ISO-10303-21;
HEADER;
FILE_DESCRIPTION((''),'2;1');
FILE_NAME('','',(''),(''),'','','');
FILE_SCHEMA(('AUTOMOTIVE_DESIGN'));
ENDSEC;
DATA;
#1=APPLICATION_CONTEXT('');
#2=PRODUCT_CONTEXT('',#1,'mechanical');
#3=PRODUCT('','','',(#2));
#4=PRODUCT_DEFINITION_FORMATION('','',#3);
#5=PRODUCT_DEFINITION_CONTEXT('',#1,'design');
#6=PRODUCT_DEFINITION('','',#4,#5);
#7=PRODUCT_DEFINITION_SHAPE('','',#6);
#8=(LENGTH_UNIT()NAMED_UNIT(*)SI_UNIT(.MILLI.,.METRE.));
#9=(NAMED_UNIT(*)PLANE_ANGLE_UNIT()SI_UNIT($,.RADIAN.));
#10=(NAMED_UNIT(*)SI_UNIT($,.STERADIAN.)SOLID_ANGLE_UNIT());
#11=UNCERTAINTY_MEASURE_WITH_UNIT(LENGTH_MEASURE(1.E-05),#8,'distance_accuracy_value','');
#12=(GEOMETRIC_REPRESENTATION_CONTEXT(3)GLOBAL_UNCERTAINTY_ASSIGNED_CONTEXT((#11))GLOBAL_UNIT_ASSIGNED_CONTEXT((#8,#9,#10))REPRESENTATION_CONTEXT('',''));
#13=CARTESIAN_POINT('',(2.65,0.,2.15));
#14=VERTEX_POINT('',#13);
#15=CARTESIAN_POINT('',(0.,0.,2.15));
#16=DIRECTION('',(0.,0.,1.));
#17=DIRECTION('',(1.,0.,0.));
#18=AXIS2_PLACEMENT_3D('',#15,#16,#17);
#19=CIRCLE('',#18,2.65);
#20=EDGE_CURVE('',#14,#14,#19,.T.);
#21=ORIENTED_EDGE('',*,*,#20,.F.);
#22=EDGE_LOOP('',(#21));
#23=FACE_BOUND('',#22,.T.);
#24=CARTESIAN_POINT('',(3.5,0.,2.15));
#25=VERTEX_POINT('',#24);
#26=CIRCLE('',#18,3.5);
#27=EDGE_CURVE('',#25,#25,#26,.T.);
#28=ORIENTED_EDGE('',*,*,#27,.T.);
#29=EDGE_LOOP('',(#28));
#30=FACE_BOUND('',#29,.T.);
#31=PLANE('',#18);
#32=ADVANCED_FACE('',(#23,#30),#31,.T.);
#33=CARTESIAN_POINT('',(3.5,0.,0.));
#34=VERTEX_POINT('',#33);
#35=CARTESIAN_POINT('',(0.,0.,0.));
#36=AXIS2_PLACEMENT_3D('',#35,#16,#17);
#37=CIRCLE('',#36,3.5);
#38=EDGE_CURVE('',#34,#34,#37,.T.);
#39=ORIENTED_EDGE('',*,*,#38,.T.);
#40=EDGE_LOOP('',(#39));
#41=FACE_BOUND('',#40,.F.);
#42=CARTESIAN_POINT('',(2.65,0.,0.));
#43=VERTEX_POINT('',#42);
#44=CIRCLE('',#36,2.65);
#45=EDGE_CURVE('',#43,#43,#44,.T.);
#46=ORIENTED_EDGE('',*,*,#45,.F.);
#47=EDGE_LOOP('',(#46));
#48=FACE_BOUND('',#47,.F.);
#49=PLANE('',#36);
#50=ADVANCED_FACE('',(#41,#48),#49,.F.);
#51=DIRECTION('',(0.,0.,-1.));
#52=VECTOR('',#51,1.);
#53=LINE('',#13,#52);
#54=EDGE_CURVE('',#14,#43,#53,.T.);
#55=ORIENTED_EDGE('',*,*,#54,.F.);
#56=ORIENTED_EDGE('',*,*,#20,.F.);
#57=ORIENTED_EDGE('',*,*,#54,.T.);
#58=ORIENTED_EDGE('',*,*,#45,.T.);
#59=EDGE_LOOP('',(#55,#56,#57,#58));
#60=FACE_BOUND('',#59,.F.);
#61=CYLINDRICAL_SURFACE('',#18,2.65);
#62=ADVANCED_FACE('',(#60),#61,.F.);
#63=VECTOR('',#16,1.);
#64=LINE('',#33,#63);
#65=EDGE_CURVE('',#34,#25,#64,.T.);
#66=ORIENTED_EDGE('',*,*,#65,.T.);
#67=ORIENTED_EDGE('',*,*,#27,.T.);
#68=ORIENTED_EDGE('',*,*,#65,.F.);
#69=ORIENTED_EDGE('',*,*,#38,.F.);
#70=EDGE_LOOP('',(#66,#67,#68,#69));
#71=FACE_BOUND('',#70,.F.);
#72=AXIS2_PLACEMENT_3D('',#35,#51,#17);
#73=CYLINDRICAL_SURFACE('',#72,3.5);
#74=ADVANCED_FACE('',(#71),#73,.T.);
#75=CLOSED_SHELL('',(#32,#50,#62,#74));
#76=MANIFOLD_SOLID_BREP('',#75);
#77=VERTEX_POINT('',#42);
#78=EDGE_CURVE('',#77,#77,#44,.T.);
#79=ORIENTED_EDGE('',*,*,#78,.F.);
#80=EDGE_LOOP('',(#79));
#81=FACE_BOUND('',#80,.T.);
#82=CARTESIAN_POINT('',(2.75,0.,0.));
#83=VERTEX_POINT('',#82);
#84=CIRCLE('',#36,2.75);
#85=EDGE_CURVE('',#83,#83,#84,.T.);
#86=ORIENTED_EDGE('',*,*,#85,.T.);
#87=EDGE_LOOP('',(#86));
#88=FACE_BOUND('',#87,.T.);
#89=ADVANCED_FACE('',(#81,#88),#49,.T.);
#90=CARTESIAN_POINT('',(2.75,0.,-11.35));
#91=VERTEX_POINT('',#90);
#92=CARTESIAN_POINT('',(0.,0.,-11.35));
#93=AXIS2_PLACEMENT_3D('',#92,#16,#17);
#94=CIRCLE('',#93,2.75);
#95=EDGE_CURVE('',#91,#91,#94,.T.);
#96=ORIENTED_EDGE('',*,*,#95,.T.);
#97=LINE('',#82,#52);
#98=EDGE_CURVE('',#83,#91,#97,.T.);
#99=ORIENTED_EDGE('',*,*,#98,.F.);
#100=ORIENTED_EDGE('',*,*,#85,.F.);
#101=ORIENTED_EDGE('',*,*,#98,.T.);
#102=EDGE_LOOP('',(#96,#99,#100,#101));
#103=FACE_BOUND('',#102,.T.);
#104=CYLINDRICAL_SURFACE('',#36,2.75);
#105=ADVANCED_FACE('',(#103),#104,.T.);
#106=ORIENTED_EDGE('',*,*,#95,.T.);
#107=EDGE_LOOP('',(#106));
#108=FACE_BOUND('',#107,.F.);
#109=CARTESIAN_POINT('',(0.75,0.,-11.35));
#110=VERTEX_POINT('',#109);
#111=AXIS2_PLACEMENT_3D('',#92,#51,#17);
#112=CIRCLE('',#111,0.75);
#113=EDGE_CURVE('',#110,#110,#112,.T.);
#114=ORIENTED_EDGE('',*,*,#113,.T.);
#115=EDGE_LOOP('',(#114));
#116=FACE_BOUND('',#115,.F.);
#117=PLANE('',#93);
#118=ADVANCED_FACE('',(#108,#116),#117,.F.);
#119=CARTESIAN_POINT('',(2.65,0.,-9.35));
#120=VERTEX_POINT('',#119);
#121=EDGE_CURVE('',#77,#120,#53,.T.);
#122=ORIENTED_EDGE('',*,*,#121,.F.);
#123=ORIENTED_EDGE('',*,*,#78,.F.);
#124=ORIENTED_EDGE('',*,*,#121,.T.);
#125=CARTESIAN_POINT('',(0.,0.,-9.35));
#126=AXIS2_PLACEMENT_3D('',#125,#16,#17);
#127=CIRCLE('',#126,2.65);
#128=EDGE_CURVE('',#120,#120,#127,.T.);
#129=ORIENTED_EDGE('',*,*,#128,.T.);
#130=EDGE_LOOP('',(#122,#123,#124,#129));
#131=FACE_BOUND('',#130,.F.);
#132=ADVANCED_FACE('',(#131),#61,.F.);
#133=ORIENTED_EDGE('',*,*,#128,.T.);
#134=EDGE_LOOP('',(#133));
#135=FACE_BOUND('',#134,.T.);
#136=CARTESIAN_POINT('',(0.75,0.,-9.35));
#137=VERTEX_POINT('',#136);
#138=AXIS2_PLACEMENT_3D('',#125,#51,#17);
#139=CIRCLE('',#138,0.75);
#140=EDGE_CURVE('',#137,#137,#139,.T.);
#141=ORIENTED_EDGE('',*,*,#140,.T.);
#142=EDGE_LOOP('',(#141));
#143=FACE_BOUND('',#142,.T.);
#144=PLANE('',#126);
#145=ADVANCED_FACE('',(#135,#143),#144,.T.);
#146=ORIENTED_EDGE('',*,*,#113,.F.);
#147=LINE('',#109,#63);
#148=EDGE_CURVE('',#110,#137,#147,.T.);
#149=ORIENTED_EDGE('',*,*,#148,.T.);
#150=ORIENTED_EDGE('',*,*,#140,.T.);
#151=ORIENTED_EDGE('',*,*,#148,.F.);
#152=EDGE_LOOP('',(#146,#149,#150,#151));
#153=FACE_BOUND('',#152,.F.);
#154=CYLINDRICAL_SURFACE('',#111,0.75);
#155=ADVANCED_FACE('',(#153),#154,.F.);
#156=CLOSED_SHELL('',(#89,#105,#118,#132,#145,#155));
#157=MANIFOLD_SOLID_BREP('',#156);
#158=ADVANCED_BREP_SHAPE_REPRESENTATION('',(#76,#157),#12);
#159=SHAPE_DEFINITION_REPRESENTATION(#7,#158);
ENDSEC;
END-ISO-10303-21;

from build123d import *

# Parameters (mm, degrees)
F0_R     = 2.75
F1_DEPTH = 11.35
F2_R     = 3.5
F3_DEPTH = 2.15
F4_R     = 2.65
F5_DEPTH = 11.5
F6_R     = 0.75
F7_DEPTH = 13.501


with BuildPart() as f1:
    # F0 (on Top) → F1 (new body)
    with BuildSketch(Plane.XY):
        Circle(F0_R)
    extrude(amount=-F1_DEPTH)


with BuildPart() as f3:
    # F2 (on Top) → F3 (new body)
    with BuildSketch(Plane.XY):
        Circle(F2_R)
    extrude(amount=F3_DEPTH)


with BuildPart() as f5_tool:
    # F4 (on face) → F5 (new body)
    with BuildSketch(Plane.XY.offset(2.15)):
        Circle(F4_R)
    extrude(amount=-F5_DEPTH)


with BuildPart() as f1_1:
    add(f1.part)

    # F5: cut by f5_tool
    add(f5_tool.part, mode=Mode.SUBTRACT)

    # F6 (on face) → F7 (cut, through all)
    with BuildSketch(Plane(origin=(0, 0, -11.35), x_dir=(1, 0, 0), z_dir=(0, 0, -1))):
        Circle(F6_R)
    extrude(amount=-F7_DEPTH, mode=Mode.SUBTRACT)


with BuildPart() as f3_1:
    add(f3.part)

    # F5: cut by f5_tool
    add(f5_tool.part, mode=Mode.SUBTRACT)


solid = Compound([f1_1.part, f3_1.part])
